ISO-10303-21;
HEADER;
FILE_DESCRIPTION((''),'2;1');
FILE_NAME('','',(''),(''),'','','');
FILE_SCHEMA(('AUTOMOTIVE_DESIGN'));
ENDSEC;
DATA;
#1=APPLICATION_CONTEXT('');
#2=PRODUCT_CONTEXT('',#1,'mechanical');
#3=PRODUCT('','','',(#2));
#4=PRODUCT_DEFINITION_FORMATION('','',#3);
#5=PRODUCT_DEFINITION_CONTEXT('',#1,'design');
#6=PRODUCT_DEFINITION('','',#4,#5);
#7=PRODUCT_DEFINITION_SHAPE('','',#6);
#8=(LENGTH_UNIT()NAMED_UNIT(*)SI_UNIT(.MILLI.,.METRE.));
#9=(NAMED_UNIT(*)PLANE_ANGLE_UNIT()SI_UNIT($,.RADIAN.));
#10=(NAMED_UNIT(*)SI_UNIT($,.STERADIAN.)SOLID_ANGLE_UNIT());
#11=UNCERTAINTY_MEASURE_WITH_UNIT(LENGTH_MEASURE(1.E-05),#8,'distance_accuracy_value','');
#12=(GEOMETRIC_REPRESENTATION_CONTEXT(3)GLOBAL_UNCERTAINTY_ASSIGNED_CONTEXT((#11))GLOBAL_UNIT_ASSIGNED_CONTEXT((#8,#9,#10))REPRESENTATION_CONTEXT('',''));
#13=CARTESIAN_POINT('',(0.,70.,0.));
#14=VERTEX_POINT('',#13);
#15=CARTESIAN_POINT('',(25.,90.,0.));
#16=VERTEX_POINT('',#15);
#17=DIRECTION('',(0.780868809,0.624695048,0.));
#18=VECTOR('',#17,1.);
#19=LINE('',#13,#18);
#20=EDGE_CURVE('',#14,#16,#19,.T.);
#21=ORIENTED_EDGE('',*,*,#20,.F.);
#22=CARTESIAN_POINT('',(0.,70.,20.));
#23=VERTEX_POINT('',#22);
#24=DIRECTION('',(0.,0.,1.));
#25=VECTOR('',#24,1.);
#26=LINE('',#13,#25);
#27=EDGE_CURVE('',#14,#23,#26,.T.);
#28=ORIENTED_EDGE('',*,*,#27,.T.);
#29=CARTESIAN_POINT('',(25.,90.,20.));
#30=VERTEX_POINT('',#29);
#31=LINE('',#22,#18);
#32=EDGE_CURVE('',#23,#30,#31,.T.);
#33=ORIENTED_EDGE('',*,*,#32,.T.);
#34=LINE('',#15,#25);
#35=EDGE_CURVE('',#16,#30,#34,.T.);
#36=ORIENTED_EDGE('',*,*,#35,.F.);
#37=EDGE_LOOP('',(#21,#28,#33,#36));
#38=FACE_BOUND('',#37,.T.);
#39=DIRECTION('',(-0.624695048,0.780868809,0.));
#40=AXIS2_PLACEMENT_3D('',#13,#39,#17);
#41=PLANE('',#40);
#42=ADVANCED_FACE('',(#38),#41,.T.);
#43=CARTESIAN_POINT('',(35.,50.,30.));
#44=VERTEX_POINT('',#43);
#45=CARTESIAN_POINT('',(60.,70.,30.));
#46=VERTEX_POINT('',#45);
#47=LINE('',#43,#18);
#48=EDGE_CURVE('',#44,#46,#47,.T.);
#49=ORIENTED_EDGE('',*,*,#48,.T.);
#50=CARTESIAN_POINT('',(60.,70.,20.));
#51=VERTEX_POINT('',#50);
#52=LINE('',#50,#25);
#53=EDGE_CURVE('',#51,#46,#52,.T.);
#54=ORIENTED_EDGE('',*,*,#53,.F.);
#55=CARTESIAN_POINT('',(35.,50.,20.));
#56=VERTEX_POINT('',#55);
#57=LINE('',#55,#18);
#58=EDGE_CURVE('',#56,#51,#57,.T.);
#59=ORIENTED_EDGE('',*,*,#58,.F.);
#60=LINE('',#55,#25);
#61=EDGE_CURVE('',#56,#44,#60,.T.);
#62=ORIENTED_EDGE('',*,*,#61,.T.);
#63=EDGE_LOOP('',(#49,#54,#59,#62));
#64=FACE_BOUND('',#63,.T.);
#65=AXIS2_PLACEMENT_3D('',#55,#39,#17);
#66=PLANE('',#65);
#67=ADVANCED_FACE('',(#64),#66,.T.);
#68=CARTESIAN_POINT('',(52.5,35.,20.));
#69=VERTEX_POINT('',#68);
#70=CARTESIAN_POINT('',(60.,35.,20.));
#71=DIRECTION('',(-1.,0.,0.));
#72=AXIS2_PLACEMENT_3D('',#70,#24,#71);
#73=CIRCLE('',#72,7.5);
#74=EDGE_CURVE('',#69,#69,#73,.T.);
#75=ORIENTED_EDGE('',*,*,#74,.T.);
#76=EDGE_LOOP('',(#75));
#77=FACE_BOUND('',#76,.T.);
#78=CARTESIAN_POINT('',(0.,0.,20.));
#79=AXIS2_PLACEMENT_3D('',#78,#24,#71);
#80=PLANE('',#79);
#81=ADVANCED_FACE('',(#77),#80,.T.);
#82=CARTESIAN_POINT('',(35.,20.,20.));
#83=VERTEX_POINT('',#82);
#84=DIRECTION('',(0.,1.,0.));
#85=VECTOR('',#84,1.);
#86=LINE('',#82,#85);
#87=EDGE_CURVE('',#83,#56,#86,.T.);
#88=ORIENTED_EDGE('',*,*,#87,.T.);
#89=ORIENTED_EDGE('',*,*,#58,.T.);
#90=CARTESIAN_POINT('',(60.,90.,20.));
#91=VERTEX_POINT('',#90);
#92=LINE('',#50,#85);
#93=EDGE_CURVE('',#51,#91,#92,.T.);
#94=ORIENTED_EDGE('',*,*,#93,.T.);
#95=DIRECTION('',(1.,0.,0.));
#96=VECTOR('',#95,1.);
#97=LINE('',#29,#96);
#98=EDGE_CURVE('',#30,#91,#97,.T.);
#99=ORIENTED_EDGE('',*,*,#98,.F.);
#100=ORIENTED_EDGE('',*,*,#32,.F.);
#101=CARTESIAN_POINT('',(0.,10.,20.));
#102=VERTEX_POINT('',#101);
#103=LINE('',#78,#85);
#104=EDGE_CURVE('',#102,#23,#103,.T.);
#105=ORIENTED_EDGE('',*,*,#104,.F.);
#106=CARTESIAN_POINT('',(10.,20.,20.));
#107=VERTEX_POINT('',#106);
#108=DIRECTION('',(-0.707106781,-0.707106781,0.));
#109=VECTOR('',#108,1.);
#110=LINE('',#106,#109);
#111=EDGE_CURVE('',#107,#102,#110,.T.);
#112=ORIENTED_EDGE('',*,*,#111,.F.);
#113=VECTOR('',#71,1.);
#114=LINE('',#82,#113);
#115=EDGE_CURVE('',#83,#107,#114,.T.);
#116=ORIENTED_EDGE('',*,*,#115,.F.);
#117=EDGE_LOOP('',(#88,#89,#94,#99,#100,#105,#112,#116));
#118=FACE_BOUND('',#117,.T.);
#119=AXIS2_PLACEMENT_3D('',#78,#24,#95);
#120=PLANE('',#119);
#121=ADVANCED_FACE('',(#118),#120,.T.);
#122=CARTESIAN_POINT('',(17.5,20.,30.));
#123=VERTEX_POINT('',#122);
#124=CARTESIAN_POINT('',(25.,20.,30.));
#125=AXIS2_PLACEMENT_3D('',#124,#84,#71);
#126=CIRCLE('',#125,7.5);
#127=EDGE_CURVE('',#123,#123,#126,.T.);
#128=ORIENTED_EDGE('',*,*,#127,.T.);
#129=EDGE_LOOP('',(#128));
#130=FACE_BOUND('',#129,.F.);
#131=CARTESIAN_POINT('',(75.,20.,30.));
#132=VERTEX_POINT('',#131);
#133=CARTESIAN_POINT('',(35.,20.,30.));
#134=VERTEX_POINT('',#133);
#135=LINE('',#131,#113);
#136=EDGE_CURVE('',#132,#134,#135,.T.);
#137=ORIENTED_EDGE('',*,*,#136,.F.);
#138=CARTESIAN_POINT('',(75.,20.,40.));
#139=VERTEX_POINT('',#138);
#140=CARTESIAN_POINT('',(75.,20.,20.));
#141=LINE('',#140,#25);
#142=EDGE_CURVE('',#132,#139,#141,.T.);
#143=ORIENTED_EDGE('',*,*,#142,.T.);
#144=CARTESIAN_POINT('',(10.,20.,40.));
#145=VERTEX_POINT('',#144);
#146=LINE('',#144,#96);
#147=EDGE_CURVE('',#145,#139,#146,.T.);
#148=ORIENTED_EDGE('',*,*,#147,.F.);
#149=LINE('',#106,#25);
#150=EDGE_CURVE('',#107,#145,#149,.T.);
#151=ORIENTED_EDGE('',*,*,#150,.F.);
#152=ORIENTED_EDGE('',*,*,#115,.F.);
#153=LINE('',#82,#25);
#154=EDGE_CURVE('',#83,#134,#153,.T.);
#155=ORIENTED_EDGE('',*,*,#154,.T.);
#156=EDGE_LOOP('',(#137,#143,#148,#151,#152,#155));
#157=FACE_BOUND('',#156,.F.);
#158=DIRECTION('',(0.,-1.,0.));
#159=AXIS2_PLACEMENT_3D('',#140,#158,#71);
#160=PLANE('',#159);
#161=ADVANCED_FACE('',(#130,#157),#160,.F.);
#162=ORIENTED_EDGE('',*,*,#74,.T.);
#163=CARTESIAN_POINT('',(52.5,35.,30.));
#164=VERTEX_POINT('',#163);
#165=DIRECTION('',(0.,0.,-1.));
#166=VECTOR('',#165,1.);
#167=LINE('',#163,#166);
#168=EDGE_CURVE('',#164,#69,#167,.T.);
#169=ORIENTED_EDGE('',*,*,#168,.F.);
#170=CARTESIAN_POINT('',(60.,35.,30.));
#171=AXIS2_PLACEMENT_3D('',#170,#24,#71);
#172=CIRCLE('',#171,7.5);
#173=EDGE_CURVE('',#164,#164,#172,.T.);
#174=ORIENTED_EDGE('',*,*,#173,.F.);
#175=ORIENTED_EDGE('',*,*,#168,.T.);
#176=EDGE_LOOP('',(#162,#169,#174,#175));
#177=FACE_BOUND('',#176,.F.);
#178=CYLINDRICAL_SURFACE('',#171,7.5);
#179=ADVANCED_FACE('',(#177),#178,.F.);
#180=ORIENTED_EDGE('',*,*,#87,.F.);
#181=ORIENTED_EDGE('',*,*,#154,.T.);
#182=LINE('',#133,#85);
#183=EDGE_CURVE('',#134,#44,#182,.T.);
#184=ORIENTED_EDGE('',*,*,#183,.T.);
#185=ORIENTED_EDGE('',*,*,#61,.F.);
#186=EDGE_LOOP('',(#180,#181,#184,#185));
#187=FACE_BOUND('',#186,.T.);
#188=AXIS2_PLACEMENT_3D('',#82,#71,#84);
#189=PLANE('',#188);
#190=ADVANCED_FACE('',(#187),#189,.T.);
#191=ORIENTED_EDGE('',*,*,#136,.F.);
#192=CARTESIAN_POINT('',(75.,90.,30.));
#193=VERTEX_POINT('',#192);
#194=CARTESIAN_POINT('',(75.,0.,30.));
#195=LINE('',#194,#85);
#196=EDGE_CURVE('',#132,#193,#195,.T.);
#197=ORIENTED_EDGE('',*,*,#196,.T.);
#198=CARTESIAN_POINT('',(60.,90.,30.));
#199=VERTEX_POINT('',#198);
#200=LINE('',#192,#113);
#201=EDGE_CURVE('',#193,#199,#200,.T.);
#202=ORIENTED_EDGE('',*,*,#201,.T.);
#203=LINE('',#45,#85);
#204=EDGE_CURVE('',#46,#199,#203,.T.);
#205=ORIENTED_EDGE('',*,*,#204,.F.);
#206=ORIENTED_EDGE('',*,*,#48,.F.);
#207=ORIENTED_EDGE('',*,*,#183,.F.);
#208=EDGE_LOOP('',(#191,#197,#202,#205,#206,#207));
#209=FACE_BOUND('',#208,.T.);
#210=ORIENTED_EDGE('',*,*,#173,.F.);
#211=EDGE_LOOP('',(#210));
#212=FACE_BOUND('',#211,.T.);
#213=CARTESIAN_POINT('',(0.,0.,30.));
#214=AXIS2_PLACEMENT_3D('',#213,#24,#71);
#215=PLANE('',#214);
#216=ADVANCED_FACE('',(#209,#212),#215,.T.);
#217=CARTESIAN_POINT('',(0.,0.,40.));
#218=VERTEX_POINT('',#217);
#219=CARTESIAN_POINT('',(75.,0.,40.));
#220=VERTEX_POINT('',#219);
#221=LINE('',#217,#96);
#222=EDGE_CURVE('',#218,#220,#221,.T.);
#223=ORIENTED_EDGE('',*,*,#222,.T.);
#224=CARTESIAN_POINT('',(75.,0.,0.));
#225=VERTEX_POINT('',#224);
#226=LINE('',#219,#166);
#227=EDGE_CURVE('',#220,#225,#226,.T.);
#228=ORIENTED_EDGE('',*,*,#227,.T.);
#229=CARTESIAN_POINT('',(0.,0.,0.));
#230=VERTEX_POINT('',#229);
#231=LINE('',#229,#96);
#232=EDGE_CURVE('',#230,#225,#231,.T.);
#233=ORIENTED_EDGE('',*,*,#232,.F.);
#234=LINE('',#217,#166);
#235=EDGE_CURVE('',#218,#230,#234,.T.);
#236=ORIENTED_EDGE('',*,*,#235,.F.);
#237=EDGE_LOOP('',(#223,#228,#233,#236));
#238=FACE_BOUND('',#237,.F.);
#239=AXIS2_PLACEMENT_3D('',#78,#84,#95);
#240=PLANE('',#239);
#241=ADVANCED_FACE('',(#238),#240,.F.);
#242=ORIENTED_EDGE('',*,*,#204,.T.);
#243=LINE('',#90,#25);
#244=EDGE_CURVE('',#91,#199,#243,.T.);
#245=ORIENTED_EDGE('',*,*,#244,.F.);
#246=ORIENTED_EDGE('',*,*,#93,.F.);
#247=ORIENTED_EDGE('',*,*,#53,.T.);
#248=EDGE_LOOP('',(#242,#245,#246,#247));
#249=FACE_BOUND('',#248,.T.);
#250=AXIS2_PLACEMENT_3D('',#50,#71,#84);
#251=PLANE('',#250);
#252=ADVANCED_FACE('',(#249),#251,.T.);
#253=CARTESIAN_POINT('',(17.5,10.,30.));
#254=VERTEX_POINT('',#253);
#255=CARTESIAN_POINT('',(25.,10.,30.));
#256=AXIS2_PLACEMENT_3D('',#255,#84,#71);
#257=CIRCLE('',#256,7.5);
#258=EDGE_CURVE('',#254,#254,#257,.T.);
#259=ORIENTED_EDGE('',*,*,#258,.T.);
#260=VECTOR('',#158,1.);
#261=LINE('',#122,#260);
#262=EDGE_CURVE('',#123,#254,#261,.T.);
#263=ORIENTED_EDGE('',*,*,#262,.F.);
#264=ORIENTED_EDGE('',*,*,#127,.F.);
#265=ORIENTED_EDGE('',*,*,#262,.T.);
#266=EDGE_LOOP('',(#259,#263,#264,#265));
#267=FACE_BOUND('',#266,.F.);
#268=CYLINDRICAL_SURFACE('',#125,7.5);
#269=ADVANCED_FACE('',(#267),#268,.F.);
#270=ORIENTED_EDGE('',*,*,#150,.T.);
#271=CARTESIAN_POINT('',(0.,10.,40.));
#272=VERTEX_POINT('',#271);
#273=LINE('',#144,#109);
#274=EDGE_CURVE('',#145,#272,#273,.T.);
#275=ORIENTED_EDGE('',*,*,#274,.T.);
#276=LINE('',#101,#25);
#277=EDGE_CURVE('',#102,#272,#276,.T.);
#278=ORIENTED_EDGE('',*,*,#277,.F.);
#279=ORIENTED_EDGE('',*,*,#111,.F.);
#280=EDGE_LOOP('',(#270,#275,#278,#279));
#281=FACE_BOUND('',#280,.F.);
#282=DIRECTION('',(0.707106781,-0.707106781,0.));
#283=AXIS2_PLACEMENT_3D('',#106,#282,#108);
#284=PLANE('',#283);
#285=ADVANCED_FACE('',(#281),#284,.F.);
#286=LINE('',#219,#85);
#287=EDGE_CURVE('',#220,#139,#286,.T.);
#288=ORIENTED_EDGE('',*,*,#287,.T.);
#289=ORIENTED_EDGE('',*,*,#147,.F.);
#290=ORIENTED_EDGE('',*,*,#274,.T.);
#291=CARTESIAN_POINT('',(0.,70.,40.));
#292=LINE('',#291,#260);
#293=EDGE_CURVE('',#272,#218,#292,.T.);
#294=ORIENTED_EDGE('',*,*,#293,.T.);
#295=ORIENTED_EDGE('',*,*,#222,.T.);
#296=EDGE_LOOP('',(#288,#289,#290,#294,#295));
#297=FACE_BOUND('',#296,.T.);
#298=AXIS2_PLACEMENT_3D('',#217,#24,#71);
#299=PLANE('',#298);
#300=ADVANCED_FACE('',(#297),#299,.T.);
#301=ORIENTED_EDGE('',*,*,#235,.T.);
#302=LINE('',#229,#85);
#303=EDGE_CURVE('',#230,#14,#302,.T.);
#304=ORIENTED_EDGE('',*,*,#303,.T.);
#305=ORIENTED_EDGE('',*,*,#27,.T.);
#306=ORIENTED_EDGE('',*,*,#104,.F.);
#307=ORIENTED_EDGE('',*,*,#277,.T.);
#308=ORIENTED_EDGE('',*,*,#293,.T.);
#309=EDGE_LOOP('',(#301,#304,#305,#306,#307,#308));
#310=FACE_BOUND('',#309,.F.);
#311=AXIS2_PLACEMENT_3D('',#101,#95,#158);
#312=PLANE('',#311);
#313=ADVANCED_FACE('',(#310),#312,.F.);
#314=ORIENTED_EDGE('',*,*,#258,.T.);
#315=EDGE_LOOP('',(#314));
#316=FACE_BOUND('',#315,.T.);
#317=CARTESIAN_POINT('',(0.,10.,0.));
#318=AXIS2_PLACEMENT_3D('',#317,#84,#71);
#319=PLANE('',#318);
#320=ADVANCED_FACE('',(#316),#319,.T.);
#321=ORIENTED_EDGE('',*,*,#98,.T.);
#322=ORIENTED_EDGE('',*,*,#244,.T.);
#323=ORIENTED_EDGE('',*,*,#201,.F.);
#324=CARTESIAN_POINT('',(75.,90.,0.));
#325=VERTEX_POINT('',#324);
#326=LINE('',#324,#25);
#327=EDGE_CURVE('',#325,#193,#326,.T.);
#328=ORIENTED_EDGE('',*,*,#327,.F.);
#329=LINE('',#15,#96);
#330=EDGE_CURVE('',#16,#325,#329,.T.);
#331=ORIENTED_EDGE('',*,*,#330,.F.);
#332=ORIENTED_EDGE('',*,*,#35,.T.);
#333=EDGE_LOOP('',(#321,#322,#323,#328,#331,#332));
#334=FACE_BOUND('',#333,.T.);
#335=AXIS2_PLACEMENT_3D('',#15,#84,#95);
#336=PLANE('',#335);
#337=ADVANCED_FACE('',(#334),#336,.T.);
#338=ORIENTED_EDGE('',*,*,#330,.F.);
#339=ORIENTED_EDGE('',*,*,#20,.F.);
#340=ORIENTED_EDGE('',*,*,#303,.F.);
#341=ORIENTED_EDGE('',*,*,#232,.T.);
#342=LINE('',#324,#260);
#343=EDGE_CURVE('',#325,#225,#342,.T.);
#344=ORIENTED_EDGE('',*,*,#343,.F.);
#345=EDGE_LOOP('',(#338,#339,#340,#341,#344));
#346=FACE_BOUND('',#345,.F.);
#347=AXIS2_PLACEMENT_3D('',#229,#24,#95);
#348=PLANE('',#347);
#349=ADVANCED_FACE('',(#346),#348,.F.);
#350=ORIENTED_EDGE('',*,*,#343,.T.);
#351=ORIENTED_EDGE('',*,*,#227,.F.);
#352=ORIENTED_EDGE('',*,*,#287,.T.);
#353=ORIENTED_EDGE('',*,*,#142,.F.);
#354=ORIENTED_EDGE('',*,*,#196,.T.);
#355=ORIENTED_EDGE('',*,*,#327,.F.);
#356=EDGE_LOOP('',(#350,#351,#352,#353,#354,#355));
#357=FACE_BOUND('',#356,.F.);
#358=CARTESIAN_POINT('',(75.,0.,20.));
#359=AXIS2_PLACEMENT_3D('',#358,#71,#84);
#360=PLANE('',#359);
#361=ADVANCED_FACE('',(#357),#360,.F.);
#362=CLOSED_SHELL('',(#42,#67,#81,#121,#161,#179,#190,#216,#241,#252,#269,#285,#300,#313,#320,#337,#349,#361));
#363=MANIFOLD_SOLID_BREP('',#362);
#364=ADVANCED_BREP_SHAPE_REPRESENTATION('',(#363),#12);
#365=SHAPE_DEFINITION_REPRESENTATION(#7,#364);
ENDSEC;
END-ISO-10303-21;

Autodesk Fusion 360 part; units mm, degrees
sketch "Sketch1" plane through (0, 0, 0) normal (0, 0, 1) x (1, 0, 0) in component "block"
  line L0 (0, 0) -> (75, 0)
  line L1 (75, 0) -> (75, 75)
  line L2 (75, 75) -> (75, 90)
  line L3 (0, 0) -> (0, 70)
  line L4 (0, 70) -> (25, 90)
  line L5 (25, 90) -> (75, 90)
extrude "Extrude1" add sketch "Sketch1" along normal blind 20 in component "block"
sketch "Sketch2" plane through (0, 0, 20) normal (0, 0, 1) x (-1, 0, 0) in component "block"
  line L0 (0, 0) -> (-75, 0)
  line L1 (-75, 0) -> (-75, -90)
  line L2 (-75, -90) -> (-25, -90)
  line L3 (-25, -90) -> (0, -70)
  line L4 (0, -70) -> (0, 0)
  line L5 (-75, -20) -> (-35, -20)
  line L6 (-35, -20) -> (-35, -50)
  line L7 (-35, -50) -> (-60, -70)
  line L8 (-60, -70) -> (-60, -90)
extrude "Extrude2" add sketch "Sketch2" along normal blind 10 contours L1 L2 L5 L6 L7 L8 in component "block"
sketch "Sketch3" plane through (0, 0, 20) normal (0, 0, 1) x (-1, 0, 0) in component "block"
  line L0 (-60, -70) -> (-60, -90)
  line L1 (-60, -90) -> (-25, -90)
  line L2 (-25, -90) -> (0, -70)
  line L3 (0, -70) -> (0, 0)
  line L4 (0, 0) -> (-75, 0)
  line L5 (-75, 0) -> (-75, -20)
  line L6 (-75, -20) -> (-35, -20)
  line L7 (-35, -20) -> (-35, -50)
  line L8 (-35, -50) -> (-60, -70)
  line L9 (-35, -20) -> (-10, -20)
  line L10 (-10, -20) -> (0, -10)
extrude "Extrude3" add sketch "Sketch3" along normal blind 20 contours L3 L4 L5 L6 L9 L10 in component "block"
sketch "Sketch4" plane through (0, 0, 30) normal (0, 0, 1) x (-1, 0, 0) in component "block"
  line L0 (-75, -20) -> (-75, -90)
  line L1 (-75, -90) -> (-60, -90)
  line L2 (-60, -90) -> (-60, -70)
  line L3 (-60, -70) -> (-35, -50)
  line L4 (-35, -50) -> (-35, -20)
  line L5 (-35, -20) -> (-75, -20)
  circle A0 centre (-60, -35) radius 7.5
  dimension "d7" = 15
extrude "Extrude4" cut sketch "Sketch4" against normal blind 10 contours A0 in component "block"
sketch "Sketch5" plane through (0, 20, 0) normal (0, 1, 0) x (-1, 0, 0) in component "block"
  line L0 (-75, 30) -> (-35, 30)
  line L1 (-35, 30) -> (-35, 20)
  line L2 (-35, 20) -> (-10, 20)
  line L3 (-10, 20) -> (-10, 40)
  line L4 (-10, 40) -> (-75, 40)
  line L5 (-75, 40) -> (-75, 30)
  circle A0 centre (-25, 30) radius 7.5
  dimension "d11" = 15
extrude "Extrude5" cut sketch "Sketch5" against normal blind 10 contours A0 in component "block"
component "block" placed x (1, 0, 0) y (0, 1, 0) z (0, 0, 1) at (0, 0, 0)
